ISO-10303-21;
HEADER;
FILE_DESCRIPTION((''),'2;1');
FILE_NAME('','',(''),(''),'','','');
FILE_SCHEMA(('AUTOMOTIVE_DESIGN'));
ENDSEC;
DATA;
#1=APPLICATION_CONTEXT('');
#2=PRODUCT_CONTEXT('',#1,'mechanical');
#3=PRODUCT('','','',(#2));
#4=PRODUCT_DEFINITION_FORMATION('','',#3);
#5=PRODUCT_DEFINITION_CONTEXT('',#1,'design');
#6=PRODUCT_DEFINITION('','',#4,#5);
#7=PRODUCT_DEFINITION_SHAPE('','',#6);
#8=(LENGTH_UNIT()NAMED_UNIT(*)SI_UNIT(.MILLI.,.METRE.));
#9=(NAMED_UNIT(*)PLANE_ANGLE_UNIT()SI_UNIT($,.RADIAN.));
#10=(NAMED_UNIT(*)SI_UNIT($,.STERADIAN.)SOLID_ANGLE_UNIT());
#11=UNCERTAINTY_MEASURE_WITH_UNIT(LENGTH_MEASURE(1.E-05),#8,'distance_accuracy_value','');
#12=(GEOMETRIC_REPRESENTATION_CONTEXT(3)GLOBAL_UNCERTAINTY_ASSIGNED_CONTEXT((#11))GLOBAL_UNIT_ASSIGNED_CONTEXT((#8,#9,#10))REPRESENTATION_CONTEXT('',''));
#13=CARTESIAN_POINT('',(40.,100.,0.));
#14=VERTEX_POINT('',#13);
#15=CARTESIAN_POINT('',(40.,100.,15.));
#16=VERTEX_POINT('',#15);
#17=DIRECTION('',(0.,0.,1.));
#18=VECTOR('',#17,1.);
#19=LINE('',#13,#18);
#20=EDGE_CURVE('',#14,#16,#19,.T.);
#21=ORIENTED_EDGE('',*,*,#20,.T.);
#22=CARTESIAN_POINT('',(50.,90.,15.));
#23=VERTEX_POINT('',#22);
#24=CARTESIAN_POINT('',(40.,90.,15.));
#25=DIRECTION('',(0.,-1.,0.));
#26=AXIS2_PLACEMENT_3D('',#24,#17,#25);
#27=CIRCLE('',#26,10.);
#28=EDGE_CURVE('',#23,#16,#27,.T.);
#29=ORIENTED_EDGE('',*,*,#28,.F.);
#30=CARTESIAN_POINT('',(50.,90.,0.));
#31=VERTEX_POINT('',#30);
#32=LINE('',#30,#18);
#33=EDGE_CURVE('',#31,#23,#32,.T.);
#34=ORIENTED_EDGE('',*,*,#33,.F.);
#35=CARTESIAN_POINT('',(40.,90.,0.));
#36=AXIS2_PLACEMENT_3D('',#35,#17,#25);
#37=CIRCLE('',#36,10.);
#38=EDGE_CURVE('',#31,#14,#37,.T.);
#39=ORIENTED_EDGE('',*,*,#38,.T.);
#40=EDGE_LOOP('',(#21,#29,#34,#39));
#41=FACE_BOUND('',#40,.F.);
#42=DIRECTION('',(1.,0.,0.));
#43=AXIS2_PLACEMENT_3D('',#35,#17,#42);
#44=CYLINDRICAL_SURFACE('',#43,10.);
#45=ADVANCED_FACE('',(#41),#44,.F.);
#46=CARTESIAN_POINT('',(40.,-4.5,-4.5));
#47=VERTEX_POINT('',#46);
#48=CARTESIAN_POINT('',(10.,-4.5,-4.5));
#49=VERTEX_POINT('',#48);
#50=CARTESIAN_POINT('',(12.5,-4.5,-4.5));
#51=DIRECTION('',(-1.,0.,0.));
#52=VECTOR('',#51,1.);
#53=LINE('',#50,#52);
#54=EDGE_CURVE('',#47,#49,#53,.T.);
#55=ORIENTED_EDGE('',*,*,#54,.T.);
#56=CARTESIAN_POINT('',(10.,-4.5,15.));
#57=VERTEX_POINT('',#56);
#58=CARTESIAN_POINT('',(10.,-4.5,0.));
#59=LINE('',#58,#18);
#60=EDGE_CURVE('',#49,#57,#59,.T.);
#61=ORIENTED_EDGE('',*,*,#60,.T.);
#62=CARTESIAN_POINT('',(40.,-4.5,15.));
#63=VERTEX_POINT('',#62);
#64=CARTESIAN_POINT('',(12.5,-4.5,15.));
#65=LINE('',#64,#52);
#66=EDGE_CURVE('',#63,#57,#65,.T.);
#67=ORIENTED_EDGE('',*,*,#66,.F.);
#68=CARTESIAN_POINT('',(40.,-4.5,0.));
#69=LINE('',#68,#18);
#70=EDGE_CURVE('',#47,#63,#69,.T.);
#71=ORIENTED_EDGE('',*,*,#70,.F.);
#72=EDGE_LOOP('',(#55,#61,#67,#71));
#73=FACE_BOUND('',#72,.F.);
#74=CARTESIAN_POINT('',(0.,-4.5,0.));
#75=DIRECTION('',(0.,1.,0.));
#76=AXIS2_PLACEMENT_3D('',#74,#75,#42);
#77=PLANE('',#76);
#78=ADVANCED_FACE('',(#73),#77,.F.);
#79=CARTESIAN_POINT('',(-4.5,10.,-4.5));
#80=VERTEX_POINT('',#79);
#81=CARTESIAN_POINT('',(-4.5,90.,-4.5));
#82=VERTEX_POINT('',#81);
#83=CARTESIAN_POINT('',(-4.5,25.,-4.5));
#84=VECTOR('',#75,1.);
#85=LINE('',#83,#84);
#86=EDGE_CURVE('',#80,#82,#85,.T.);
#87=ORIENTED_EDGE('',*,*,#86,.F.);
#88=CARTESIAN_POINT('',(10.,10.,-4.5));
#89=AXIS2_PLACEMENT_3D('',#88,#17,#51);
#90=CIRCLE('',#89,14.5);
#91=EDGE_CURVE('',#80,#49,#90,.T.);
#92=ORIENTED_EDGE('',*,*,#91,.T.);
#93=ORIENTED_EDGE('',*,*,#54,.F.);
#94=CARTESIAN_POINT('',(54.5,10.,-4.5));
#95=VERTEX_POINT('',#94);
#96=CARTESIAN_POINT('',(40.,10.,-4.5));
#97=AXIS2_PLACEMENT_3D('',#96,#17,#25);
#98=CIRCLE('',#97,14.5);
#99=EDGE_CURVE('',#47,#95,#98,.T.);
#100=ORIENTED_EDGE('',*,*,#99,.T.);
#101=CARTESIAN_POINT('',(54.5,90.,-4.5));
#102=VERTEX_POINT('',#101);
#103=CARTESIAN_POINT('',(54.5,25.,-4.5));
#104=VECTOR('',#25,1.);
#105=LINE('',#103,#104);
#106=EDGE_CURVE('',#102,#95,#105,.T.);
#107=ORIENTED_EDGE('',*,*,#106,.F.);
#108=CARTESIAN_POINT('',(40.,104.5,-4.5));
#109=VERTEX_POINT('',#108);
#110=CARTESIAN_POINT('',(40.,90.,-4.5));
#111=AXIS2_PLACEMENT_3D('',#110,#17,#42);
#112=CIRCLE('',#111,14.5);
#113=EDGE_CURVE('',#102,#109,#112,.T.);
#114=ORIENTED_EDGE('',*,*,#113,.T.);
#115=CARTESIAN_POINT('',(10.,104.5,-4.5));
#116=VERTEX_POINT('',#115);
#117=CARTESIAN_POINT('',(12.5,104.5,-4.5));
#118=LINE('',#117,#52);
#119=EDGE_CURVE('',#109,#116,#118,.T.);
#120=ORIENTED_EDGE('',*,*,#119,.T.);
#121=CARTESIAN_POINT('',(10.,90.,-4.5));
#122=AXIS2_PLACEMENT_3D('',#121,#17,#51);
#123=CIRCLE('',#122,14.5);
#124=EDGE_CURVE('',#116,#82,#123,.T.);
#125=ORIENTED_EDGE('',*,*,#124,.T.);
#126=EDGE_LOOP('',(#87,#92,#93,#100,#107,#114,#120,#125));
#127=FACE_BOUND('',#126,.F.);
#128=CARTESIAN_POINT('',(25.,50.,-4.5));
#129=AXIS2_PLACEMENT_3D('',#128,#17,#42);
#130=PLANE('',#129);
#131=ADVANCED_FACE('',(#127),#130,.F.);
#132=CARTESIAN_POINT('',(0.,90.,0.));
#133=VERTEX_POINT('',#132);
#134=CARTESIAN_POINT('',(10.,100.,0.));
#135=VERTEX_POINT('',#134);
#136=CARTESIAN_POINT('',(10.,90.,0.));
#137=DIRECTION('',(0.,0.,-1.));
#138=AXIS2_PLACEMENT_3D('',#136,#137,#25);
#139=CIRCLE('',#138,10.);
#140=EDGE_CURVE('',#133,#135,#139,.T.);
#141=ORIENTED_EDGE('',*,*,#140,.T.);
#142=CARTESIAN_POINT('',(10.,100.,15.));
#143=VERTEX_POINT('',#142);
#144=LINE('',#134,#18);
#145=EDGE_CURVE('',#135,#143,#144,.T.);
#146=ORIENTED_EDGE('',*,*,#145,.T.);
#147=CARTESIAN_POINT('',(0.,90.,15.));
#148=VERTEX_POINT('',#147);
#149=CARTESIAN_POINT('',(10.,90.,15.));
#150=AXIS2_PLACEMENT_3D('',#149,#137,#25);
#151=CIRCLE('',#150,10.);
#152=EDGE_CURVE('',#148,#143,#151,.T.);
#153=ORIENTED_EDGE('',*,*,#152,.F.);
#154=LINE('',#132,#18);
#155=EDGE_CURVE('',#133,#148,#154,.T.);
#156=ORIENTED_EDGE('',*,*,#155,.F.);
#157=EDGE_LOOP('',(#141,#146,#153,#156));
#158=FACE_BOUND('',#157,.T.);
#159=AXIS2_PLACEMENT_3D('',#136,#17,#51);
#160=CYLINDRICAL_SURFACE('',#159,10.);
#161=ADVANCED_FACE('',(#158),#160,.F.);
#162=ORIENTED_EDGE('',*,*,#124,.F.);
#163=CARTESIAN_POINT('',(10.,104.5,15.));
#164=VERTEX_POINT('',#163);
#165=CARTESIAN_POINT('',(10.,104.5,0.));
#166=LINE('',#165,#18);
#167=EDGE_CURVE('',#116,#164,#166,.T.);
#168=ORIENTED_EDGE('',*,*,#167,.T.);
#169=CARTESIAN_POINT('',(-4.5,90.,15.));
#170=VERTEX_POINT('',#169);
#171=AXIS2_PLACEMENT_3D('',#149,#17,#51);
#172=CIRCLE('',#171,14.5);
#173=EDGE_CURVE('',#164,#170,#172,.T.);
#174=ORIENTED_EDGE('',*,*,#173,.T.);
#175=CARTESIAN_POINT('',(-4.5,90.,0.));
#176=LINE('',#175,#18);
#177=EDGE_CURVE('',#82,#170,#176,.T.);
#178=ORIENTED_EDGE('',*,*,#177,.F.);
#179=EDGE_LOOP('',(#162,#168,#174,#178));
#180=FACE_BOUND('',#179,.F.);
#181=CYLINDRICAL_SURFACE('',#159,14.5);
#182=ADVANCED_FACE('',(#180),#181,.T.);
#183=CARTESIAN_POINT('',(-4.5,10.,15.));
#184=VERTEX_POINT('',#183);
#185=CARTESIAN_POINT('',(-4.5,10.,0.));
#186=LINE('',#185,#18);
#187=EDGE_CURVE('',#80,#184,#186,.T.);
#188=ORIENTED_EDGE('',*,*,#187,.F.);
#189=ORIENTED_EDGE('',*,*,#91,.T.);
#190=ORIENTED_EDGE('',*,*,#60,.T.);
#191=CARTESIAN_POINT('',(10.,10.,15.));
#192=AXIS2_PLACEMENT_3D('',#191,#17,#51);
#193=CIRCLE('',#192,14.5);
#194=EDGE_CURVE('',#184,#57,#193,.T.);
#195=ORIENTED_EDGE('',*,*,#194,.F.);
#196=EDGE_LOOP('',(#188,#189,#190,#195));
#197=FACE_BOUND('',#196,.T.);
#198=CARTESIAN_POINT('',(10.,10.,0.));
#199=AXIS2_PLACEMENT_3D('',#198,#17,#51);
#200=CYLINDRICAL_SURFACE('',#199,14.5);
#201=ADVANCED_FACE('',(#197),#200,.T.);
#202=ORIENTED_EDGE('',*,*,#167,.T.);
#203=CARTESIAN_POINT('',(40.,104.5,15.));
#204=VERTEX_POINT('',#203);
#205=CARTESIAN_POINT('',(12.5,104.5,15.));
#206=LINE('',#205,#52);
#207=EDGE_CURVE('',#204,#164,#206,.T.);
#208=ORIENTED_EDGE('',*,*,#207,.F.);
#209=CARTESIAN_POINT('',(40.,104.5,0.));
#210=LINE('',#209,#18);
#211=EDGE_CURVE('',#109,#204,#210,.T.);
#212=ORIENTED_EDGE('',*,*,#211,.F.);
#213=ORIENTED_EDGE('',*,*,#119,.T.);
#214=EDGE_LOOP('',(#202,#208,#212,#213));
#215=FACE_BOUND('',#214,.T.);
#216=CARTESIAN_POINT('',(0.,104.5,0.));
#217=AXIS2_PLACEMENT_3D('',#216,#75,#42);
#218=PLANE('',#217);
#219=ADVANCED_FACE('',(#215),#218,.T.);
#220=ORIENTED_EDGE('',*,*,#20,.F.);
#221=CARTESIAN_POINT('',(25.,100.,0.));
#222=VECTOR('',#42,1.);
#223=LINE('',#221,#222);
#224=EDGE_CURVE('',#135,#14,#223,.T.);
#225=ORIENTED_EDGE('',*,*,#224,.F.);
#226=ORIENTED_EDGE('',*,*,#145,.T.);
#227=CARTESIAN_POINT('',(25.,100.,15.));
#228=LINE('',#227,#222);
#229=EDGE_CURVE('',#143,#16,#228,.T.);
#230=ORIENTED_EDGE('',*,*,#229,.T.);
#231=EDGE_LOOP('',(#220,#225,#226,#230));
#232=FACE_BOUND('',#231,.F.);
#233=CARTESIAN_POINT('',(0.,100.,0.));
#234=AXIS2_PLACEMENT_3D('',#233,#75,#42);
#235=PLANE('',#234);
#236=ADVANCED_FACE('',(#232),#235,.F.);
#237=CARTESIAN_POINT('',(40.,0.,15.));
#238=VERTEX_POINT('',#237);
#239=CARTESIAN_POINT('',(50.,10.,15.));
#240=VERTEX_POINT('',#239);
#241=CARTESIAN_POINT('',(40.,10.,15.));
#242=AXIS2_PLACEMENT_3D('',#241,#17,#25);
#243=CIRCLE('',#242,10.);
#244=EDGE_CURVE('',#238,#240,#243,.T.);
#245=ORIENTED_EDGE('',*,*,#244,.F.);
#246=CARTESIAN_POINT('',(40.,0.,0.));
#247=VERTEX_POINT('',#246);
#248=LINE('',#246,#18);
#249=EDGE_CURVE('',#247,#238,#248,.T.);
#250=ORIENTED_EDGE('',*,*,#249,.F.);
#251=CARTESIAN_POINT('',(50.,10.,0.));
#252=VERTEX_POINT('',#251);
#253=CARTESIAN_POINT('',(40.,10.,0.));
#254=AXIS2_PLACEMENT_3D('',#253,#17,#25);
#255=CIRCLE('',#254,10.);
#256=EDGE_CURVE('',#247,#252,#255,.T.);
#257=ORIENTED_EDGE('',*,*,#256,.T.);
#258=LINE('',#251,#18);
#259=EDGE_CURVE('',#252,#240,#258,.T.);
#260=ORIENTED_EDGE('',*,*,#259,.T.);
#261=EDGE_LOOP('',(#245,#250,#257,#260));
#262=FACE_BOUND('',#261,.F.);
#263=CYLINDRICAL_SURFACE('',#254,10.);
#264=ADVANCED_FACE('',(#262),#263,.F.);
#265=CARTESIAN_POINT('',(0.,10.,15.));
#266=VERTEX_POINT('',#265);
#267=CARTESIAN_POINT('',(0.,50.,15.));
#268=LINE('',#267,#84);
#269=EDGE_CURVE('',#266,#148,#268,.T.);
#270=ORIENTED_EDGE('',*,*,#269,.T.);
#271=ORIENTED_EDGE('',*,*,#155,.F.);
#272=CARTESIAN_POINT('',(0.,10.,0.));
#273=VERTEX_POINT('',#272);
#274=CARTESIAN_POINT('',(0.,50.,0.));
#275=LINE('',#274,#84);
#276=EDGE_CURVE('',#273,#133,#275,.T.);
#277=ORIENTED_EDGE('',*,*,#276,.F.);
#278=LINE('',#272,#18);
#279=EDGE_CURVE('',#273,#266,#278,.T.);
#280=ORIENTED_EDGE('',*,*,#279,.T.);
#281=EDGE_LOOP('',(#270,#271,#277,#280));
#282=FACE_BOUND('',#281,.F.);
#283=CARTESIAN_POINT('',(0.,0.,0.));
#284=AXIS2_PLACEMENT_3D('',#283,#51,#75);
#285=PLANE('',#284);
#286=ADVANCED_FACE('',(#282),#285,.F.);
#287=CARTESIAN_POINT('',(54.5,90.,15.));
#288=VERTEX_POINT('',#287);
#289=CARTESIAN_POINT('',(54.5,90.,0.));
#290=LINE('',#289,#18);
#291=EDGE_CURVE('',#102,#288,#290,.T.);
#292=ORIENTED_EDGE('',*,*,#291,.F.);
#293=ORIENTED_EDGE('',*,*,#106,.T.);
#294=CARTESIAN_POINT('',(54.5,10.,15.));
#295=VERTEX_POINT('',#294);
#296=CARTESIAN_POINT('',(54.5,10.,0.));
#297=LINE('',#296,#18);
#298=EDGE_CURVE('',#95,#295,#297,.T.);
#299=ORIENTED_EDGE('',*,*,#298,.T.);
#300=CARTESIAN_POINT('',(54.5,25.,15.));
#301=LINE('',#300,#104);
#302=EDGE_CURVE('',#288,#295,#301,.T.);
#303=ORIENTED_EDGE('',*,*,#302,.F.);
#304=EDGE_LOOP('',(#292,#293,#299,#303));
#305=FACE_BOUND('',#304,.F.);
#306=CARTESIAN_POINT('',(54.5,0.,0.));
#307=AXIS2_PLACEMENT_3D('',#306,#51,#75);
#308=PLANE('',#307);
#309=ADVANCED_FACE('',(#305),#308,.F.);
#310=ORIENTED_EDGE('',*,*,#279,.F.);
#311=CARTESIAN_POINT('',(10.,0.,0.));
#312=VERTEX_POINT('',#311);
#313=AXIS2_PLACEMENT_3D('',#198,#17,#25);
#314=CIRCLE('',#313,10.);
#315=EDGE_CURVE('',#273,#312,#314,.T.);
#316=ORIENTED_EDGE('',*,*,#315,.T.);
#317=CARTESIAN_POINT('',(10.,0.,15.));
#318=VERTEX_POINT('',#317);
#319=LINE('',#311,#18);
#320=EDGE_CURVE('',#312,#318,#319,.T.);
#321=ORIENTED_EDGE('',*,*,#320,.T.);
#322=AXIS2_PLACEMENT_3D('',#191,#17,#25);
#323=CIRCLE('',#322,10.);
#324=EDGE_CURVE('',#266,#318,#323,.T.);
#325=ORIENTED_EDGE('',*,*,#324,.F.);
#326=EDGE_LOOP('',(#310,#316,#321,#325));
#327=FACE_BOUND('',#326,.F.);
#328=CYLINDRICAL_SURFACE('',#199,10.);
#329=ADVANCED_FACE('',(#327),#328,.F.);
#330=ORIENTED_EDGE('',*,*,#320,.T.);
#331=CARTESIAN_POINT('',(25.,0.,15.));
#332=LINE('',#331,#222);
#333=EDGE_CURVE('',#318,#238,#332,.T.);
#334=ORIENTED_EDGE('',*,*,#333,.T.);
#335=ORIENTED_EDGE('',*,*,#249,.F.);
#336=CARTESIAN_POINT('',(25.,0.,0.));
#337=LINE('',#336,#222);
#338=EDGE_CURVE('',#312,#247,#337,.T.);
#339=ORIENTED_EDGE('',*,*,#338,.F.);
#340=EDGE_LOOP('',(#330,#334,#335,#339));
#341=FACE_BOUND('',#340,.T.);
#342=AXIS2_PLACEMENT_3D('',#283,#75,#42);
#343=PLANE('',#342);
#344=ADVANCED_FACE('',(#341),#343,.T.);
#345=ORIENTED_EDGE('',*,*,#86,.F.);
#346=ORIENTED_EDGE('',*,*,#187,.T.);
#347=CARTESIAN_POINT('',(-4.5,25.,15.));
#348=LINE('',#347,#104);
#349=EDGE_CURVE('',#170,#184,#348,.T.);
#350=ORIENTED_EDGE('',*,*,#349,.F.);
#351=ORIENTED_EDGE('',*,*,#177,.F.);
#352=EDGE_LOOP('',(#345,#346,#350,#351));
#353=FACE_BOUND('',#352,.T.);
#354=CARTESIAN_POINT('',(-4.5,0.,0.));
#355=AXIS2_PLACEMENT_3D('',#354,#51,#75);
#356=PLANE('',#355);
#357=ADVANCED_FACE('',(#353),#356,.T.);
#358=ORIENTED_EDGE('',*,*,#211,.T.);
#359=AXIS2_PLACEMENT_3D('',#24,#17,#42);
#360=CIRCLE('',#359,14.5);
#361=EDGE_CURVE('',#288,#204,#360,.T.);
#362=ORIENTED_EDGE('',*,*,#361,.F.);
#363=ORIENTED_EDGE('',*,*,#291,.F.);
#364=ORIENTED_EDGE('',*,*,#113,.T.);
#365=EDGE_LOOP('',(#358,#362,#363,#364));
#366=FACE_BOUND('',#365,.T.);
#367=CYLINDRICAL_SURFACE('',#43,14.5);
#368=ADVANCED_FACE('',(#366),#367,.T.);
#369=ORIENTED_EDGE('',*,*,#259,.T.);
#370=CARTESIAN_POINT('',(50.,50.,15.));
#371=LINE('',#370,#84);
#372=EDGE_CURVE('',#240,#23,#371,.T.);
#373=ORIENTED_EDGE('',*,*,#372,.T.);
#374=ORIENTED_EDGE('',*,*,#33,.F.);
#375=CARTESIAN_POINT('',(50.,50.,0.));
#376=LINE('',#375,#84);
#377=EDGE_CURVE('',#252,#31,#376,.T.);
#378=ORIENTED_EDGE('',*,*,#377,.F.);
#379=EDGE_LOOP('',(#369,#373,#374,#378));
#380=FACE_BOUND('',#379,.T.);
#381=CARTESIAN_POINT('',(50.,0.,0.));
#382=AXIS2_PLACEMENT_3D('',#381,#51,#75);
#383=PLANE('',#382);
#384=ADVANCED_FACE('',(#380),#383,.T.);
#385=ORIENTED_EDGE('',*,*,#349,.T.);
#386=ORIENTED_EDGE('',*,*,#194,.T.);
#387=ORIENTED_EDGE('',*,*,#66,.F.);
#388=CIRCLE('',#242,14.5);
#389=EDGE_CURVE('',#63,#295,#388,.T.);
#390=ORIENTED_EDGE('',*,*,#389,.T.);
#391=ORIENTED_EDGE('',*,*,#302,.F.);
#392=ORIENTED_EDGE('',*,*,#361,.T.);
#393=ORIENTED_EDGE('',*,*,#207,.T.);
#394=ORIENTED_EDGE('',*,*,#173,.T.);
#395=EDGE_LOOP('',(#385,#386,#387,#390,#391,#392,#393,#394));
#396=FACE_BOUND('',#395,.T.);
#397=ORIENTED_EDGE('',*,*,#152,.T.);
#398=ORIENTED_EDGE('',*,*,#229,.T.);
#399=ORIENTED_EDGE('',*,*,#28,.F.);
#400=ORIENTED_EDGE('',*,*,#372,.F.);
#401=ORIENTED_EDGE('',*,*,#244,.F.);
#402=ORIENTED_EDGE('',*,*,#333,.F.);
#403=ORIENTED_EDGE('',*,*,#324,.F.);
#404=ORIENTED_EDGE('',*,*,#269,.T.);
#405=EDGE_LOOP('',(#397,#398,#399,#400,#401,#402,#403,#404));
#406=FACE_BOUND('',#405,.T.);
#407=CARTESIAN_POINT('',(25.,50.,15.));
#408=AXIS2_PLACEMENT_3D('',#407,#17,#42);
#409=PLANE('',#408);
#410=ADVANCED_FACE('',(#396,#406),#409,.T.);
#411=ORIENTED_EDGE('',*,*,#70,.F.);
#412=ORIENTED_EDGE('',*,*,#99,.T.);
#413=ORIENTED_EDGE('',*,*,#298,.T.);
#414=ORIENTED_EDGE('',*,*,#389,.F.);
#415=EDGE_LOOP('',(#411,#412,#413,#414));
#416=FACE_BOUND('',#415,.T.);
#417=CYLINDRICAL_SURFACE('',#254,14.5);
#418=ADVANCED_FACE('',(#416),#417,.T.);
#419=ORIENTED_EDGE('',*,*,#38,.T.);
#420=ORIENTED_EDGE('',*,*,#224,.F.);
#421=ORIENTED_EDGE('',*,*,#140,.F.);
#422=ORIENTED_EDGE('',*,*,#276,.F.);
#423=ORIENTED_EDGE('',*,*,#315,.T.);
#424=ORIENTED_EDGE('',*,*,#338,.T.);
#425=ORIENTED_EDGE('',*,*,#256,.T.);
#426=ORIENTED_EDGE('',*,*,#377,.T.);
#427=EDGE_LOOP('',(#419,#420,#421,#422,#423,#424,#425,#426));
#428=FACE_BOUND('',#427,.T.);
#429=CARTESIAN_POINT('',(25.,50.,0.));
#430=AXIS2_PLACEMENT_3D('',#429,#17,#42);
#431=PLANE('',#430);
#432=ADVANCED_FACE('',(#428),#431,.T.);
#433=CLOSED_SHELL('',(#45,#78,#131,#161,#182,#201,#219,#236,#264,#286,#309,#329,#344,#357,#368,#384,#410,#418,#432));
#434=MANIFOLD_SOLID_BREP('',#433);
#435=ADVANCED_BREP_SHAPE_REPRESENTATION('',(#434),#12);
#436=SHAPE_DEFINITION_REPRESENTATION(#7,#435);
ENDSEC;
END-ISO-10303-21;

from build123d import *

# Parameters (mm, degrees)
F0_W     = 50
F0_H     = 100
F1_DEPTH = 15
F2_R     = 10
F3_T     = 4.5


with BuildPart() as f1:
    # F0 (on Top) → F1 (new body)
    with BuildSketch(Plane.XY):
        with Locations((25, 50)):
            Rectangle(F0_W, F0_H)
    extrude(amount=F1_DEPTH)

    # F2
    f2_edges = [f1.edges().sort_by_distance(p)[0] for p in [
        (0, 0, 7.5),
        (50, 0, 7.5),
        (50, 100, 7.5),
        (0, 100, 7.5),
    ]]
    fillet(f2_edges, radius=F2_R)

    # F3
    f3_openings = [f1.faces().sort_by_distance(p)[0] for p in [
        (25, 50, 15),
    ]]
    offset(amount=F3_T, openings=f3_openings, kind=Kind.INTERSECTION)


solid = f1.part
